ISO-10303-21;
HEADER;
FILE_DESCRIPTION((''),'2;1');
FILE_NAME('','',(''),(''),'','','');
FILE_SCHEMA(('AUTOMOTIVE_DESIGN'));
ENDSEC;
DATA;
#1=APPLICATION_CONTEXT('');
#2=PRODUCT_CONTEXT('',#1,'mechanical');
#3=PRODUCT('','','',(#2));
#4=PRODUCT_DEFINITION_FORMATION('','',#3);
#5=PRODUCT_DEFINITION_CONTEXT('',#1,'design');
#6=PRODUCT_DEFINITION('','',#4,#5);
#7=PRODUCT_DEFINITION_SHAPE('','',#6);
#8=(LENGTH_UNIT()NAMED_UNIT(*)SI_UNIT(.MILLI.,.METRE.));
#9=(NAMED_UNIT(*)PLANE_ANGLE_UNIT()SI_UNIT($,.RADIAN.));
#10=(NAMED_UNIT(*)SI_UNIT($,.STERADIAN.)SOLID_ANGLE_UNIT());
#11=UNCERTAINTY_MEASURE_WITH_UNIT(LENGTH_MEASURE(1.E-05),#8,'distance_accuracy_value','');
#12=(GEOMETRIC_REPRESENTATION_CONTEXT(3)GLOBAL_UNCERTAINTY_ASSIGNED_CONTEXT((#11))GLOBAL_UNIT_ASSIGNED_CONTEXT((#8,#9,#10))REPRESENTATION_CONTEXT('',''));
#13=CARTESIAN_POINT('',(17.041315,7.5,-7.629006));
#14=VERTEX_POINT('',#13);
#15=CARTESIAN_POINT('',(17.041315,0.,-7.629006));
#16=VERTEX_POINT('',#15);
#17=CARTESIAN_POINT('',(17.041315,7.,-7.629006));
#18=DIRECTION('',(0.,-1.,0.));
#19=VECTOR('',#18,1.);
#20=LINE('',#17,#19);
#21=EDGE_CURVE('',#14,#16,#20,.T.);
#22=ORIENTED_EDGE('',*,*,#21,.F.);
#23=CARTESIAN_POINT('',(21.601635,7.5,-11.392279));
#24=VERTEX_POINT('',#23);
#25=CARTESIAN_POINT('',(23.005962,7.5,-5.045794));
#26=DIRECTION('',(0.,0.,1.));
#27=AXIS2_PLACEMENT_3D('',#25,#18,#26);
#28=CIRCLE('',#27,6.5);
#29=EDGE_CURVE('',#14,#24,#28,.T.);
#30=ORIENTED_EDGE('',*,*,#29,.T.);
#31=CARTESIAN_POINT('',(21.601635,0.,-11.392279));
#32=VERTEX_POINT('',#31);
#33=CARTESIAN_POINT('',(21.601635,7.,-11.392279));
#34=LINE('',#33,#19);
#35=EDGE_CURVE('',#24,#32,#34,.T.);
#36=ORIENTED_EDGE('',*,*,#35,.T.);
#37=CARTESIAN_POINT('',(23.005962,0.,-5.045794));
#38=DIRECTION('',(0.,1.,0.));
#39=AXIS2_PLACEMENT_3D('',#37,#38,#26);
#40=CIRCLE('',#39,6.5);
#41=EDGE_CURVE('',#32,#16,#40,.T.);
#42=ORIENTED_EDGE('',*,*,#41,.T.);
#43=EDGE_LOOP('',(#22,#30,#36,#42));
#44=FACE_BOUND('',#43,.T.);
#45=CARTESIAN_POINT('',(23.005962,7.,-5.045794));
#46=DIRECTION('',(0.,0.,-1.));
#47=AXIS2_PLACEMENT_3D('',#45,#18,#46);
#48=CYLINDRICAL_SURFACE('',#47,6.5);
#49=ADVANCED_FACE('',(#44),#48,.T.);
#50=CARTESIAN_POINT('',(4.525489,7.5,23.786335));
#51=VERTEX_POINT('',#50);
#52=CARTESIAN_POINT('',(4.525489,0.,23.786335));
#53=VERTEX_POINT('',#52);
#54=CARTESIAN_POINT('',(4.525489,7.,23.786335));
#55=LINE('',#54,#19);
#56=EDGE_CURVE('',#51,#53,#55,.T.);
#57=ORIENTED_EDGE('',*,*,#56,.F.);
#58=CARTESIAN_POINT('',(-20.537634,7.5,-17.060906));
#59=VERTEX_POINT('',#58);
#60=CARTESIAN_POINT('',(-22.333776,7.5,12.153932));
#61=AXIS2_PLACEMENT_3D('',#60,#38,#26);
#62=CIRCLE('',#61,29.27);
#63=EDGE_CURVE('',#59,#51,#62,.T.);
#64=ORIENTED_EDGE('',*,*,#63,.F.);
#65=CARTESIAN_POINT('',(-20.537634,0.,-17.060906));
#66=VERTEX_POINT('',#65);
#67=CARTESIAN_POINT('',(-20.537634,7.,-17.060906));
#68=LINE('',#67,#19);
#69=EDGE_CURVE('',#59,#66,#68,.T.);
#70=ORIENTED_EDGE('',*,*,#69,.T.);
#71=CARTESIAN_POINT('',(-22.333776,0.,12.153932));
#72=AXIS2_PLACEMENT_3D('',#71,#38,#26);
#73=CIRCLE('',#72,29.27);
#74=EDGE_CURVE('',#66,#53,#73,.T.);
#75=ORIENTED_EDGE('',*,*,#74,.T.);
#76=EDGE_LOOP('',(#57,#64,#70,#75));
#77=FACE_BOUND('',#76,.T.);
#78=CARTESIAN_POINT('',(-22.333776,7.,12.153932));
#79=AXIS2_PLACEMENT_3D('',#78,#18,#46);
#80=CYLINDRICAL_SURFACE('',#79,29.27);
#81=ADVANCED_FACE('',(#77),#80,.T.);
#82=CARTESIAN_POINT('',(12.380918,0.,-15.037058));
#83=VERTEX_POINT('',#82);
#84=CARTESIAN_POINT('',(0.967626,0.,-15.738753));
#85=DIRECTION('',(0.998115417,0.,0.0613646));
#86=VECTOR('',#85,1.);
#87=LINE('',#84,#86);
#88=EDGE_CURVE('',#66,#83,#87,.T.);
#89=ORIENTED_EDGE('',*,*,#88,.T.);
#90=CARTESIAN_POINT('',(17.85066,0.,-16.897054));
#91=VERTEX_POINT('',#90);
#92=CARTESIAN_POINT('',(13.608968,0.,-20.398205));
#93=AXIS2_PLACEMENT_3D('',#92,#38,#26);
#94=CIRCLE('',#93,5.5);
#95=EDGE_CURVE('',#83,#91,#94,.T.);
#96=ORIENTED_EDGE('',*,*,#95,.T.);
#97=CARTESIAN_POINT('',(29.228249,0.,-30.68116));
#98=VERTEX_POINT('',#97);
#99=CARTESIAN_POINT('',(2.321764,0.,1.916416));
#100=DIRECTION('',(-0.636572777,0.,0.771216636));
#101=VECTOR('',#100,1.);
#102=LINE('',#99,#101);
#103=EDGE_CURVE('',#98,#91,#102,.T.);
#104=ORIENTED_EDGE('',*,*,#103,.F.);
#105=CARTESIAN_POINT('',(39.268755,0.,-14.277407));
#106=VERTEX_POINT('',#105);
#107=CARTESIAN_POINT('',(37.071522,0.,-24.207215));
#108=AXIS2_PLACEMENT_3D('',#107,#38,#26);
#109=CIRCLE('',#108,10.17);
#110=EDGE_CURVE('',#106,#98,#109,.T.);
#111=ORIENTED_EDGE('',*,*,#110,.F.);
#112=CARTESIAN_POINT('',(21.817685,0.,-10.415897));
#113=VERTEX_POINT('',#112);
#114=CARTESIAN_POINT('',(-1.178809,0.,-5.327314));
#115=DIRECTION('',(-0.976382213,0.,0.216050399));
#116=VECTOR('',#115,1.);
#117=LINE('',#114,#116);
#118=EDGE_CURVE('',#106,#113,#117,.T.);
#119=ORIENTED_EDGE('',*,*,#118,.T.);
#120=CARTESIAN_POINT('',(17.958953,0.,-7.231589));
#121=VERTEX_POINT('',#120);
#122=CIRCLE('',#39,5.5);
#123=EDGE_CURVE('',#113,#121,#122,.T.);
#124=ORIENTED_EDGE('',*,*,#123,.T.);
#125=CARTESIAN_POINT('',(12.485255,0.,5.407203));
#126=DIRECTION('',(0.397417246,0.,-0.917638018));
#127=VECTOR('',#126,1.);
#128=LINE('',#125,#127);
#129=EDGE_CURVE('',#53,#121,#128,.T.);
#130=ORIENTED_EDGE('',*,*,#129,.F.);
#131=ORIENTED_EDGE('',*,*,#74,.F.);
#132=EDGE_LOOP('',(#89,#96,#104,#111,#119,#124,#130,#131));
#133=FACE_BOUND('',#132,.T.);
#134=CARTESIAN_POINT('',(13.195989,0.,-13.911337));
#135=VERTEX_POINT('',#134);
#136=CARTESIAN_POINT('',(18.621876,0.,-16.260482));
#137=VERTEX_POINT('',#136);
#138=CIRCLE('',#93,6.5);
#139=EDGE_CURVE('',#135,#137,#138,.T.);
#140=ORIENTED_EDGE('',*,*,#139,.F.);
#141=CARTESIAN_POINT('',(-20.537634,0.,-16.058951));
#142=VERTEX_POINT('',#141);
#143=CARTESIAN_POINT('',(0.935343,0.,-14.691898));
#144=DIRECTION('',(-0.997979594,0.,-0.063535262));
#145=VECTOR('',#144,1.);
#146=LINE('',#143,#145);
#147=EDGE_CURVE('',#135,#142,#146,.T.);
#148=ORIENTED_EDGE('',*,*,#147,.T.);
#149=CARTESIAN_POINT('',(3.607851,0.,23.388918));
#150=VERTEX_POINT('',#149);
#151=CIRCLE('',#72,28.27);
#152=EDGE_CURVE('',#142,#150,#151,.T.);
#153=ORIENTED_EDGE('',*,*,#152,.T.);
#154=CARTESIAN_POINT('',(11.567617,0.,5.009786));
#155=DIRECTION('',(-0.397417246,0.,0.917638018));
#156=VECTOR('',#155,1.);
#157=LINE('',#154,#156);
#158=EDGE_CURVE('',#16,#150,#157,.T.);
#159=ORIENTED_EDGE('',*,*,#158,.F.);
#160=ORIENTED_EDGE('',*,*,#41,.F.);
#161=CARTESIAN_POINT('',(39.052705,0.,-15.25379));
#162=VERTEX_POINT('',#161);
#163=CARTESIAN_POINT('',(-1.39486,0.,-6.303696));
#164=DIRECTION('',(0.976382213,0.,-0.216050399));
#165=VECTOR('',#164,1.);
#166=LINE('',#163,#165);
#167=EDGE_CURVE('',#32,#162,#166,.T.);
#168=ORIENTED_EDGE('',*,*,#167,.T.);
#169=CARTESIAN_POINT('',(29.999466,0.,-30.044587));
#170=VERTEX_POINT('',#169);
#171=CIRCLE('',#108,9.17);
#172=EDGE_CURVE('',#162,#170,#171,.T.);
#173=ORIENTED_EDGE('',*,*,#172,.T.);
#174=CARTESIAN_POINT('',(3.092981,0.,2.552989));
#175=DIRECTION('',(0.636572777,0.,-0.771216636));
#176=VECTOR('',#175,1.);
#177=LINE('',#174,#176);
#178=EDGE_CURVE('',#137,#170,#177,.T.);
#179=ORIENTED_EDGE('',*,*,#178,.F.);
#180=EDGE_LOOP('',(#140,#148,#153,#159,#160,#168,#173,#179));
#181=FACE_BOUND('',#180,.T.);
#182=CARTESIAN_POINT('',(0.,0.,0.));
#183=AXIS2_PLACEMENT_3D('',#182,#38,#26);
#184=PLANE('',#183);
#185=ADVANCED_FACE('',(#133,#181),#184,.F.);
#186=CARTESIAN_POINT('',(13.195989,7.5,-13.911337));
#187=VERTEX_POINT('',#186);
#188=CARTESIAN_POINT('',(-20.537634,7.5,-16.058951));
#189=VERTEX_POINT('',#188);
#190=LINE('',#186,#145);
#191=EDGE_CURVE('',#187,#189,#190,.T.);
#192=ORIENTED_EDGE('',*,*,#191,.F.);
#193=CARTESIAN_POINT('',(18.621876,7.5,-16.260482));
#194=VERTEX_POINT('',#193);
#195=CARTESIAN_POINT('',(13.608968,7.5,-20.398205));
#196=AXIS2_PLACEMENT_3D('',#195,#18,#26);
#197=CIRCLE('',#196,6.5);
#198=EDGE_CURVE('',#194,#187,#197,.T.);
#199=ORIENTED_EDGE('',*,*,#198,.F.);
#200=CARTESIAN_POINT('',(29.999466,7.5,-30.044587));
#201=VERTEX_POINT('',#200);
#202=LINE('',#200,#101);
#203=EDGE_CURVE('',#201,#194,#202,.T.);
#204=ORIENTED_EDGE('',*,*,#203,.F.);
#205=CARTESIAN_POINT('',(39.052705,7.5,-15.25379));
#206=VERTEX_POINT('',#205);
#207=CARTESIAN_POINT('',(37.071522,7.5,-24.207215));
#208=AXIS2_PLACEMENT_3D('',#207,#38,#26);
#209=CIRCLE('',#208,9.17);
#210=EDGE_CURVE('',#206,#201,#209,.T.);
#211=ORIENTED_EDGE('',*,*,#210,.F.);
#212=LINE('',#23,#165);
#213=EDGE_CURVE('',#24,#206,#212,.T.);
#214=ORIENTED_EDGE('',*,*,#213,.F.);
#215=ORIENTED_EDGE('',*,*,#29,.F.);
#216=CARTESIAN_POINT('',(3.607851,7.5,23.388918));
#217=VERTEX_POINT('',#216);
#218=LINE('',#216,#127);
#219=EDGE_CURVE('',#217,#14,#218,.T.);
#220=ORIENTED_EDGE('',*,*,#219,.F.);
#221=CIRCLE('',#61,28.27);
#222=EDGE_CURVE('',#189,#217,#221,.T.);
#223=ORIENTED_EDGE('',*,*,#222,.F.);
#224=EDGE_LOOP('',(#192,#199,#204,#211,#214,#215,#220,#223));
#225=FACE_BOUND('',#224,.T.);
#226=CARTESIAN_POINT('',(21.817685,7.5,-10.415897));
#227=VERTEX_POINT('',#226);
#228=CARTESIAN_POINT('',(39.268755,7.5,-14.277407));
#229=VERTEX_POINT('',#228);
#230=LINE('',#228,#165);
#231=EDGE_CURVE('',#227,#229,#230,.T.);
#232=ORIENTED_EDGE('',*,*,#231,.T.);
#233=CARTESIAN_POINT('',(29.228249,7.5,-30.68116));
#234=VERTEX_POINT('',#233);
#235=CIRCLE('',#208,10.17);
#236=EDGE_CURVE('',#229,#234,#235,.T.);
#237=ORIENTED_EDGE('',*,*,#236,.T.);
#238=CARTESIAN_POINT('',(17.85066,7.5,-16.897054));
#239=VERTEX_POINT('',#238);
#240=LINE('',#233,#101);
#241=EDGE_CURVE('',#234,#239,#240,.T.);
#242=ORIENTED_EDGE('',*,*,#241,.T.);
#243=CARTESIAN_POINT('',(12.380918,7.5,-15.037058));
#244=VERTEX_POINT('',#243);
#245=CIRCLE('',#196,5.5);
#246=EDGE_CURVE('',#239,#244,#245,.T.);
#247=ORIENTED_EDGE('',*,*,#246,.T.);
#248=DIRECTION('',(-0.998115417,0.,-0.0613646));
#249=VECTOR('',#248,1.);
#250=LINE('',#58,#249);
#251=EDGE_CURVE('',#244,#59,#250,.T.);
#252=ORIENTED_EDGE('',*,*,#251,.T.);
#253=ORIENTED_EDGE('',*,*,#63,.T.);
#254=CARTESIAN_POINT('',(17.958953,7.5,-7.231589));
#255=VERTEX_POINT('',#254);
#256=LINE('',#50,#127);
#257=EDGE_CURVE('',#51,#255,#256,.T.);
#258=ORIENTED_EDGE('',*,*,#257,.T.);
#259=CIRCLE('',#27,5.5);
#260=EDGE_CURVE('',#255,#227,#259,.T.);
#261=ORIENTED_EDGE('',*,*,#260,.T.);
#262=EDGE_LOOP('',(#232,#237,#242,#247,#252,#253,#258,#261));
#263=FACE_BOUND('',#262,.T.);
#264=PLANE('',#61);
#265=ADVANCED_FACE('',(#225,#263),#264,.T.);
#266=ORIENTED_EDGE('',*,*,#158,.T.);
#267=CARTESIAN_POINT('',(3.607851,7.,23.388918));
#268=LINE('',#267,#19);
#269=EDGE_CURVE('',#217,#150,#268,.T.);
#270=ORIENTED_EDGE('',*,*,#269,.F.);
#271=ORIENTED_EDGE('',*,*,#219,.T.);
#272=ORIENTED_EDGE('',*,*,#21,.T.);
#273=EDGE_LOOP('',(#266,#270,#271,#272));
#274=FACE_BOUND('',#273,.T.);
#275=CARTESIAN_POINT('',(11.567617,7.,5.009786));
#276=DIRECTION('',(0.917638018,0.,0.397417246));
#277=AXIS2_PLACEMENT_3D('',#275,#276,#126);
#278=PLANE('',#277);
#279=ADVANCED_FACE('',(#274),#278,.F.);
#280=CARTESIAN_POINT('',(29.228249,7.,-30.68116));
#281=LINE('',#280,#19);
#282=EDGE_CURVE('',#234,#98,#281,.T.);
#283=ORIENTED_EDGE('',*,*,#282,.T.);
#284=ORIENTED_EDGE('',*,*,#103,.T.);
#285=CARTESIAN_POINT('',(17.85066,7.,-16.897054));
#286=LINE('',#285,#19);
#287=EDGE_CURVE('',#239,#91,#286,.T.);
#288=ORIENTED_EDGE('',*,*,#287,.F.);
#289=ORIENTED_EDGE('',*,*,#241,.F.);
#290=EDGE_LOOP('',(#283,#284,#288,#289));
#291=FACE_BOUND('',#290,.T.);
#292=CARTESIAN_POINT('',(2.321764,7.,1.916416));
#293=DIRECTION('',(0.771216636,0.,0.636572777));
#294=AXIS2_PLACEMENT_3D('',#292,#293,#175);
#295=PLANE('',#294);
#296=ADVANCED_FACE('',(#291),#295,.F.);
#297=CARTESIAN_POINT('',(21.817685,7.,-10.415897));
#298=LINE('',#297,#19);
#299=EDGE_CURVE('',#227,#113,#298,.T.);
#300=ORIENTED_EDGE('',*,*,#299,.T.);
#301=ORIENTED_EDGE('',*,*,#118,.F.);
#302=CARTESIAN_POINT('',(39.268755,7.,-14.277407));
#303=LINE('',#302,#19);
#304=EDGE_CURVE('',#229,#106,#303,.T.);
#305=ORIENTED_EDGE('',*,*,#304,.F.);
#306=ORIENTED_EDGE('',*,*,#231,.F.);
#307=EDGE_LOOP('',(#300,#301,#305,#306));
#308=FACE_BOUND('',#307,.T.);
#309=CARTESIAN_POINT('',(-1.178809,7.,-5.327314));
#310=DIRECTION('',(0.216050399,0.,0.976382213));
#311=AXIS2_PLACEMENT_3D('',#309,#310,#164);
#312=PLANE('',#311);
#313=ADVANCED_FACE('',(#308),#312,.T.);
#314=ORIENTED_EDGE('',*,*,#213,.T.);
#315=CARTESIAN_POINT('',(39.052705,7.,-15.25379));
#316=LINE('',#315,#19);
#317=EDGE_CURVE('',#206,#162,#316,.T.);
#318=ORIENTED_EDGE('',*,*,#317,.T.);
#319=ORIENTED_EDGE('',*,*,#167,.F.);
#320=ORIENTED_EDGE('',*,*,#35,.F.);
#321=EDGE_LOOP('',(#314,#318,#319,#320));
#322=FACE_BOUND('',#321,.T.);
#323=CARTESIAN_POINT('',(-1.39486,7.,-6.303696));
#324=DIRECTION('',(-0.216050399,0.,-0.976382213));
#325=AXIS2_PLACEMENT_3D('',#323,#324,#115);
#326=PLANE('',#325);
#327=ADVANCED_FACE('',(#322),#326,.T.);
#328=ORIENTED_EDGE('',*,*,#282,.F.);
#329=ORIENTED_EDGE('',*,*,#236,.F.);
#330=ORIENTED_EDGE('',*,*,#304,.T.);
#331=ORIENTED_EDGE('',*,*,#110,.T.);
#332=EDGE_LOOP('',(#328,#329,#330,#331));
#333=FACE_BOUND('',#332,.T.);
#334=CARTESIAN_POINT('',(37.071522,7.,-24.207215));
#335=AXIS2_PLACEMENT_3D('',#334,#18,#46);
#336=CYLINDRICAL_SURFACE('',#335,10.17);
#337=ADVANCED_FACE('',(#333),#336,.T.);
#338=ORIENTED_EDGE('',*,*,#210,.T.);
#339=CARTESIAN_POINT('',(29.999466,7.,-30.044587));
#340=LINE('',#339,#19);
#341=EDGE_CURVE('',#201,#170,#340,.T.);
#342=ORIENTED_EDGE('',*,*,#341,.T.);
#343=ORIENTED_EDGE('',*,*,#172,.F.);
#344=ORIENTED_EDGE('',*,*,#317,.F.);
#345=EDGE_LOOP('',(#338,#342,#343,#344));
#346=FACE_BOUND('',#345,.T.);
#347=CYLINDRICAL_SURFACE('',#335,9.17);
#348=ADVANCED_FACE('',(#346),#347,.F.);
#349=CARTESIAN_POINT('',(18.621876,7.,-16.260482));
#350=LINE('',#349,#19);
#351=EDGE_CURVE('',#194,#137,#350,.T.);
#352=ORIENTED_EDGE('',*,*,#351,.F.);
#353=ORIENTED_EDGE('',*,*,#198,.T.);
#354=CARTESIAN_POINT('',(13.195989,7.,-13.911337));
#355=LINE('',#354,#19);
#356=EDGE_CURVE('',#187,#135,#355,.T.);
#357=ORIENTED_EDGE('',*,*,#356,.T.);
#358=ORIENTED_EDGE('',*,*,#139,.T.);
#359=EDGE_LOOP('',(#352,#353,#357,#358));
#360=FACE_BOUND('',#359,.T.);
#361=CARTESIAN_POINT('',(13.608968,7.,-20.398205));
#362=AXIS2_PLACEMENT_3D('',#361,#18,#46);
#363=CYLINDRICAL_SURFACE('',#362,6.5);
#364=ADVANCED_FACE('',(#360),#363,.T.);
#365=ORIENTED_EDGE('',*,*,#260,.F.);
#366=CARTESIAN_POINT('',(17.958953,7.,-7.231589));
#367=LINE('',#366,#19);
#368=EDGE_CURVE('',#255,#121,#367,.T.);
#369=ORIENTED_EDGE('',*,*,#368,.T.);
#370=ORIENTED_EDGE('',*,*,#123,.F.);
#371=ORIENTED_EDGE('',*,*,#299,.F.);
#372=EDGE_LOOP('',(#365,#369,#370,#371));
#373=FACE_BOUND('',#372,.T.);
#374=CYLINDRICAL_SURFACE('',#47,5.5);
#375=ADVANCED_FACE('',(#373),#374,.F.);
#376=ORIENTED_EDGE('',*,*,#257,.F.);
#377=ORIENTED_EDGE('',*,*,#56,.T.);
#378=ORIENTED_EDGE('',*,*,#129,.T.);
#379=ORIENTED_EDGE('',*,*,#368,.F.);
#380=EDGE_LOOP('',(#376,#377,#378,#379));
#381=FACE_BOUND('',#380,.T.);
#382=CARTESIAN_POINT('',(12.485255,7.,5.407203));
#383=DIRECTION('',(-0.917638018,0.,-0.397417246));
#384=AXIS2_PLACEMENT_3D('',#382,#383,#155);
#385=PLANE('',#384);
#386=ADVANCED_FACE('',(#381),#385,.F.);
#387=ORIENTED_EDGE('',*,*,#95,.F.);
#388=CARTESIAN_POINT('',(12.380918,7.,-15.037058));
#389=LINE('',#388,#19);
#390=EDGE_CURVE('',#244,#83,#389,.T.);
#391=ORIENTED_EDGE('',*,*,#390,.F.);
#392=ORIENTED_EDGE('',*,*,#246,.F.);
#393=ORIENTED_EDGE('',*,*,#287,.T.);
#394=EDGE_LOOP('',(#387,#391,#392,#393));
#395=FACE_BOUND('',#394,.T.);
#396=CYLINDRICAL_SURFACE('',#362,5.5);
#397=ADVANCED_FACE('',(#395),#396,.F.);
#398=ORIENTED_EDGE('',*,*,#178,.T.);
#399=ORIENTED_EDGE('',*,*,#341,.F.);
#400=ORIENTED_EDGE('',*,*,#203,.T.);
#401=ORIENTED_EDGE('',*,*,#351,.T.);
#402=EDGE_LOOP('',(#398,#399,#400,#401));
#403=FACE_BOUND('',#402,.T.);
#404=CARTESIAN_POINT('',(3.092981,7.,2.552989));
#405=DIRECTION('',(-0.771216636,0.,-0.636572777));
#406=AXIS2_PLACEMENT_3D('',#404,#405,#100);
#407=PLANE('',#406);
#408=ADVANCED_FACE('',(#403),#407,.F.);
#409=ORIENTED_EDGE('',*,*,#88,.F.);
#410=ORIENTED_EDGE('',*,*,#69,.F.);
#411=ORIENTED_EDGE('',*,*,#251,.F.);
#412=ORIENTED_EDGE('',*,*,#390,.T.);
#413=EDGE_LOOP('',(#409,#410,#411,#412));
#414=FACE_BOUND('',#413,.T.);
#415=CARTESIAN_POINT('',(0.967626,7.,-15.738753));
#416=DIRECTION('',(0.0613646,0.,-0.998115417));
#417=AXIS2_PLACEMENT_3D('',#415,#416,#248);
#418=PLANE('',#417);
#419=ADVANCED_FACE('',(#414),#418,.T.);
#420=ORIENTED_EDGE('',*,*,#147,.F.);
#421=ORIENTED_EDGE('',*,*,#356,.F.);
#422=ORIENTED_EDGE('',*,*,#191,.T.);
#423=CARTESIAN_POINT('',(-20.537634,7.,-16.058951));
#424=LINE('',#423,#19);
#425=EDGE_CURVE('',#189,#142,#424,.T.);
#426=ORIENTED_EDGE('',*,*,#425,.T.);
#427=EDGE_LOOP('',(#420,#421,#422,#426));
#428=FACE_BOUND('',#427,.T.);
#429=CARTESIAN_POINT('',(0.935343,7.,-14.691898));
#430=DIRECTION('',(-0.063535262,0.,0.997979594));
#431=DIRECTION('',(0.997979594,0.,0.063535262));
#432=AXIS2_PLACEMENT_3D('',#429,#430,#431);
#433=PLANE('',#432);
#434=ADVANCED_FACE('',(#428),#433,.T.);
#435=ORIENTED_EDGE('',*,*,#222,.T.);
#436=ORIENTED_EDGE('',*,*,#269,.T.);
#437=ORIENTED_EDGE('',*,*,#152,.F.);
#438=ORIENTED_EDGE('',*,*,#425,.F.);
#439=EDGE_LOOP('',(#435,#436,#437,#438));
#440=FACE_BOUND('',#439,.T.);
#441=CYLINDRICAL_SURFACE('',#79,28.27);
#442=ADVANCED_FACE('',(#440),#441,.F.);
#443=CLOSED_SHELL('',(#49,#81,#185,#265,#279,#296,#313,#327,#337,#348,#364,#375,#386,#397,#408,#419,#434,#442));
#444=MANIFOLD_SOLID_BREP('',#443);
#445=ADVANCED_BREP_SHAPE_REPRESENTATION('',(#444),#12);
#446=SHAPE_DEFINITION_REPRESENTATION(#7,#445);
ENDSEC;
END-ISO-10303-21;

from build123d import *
from build123d.topology import SkipClean

# Parameters (mm, degrees)
BOSS_EXTRUDE1_DEPTH = 7
BOSS_EXTRUDE2_DEPTH = 0.5


with BuildPart() as part:
    # Sketch1 → Boss-Extrude1 (new body)
    with BuildSketch(Plane(origin=(0, 0, 0), x_dir=(1, 0, 0), z_dir=(0, 1, 0))):
        with BuildLine():
            Line((29.22824924, 30.681159688), (17.850659856, 16.897054356))
            ThreePointArc((17.850659856, 16.897054356), (15.379675631, 15.1910369), (12.380917697, 15.03705815))
            Line((12.380917697, 15.03705815), (-20.537634361, 17.060906053))
            ThreePointArc((-20.537634361, 17.060906053), (-47.281869491, -27.461627718), (4.525488573, -23.786335009))
            Line((4.525488573, -23.786335009), (17.958953394, 7.231589211))
            ThreePointArc((17.958953394, 7.231589211), (19.505297976, 9.287886756), (21.817685297, 10.415896524))
            Line((21.817685297, 10.415896524), (39.268754989, 14.277407445))
            ThreePointArc((39.268754989, 14.277407445), (45.745634232, 29.516516233), (29.22824924, 30.681159688))
        make_face()
        with BuildLine():
            ThreePointArc((3.607850555, -23.388917762), (-46.445589463, -26.91243355), (-20.537634361, 16.058950924))
            Line((-20.537634361, 16.058950924), (13.195989156, 13.911337267))
            ThreePointArc((13.195989156, 13.911337267), (16.191497408, 14.433261737), (18.621876492, 16.260481579))
            Line((18.621876492, 16.260481579), (29.999465876, 30.044586911))
            ThreePointArc((29.999465876, 30.044586911), (44.89272255, 28.994461003), (39.05270459, 15.253789658))
            Line((39.05270459, 15.253789658), (21.601634898, 11.392278737))
            ThreePointArc((21.601634898, 11.392278737), (18.868813518, 10.059176283), (17.041315376, 7.629006457))
            Line((17.041315376, 7.629006457), (3.607850555, -23.388917762))
        make_face(mode=Mode.SUBTRACT)
    extrude(amount=BOSS_EXTRUDE1_DEPTH)

    # Sketch2 → Boss-Extrude2 (add)
    with SkipClean():  # the faces are left unmerged after this step: merging them gives an invalid solid
        with BuildSketch(Plane(origin=(0, 7, 0), x_dir=(1, 0, 0), z_dir=(0, 1, 0))):
            with BuildLine():
                Line((4.525488573, -23.786335009), (17.958953394, 7.231589211))
                ThreePointArc((17.958953394, 7.231589211), (19.505297976, 9.287886756), (21.817685297, 10.415896524))
                Line((21.817685297, 10.415896524), (39.268754989, 14.277407445))
                ThreePointArc((39.268754989, 14.277407445), (45.745634232, 29.516516233), (29.22824924, 30.681159688))
                Line((29.22824924, 30.681159688), (17.850659856, 16.897054356))
                ThreePointArc((17.850659856, 16.897054356), (15.379675631, 15.1910369), (12.380917697, 15.03705815))
                Line((12.380917697, 15.03705815), (-20.537634361, 17.060906053))
                ThreePointArc((-20.537634361, 17.060906053), (-47.281869491, -27.461627718), (4.525488573, -23.786335009))
            make_face()
            with BuildLine():
                Line((21.601634898, 11.392278737), (39.05270459, 15.253789658))
                ThreePointArc((39.05270459, 15.253789658), (44.89272255, 28.994461003), (29.999465876, 30.044586911))
                Line((29.999465876, 30.044586911), (18.621876492, 16.260481579))
                ThreePointArc((18.621876492, 16.260481579), (16.191497408, 14.433261737), (13.195989156, 13.911337267))
                Line((13.195989156, 13.911337267), (-20.537634361, 16.058950924))
                ThreePointArc((-20.537634361, 16.058950924), (-46.445589463, -26.91243355), (3.607850555, -23.388917762))
                Line((3.607850555, -23.388917762), (17.041315376, 7.629006457))
                ThreePointArc((17.041315376, 7.629006457), (18.868813518, 10.059176283), (21.601634898, 11.392278737))
            make_face(mode=Mode.SUBTRACT)
        extrude(amount=BOSS_EXTRUDE2_DEPTH)


solid = part.part
